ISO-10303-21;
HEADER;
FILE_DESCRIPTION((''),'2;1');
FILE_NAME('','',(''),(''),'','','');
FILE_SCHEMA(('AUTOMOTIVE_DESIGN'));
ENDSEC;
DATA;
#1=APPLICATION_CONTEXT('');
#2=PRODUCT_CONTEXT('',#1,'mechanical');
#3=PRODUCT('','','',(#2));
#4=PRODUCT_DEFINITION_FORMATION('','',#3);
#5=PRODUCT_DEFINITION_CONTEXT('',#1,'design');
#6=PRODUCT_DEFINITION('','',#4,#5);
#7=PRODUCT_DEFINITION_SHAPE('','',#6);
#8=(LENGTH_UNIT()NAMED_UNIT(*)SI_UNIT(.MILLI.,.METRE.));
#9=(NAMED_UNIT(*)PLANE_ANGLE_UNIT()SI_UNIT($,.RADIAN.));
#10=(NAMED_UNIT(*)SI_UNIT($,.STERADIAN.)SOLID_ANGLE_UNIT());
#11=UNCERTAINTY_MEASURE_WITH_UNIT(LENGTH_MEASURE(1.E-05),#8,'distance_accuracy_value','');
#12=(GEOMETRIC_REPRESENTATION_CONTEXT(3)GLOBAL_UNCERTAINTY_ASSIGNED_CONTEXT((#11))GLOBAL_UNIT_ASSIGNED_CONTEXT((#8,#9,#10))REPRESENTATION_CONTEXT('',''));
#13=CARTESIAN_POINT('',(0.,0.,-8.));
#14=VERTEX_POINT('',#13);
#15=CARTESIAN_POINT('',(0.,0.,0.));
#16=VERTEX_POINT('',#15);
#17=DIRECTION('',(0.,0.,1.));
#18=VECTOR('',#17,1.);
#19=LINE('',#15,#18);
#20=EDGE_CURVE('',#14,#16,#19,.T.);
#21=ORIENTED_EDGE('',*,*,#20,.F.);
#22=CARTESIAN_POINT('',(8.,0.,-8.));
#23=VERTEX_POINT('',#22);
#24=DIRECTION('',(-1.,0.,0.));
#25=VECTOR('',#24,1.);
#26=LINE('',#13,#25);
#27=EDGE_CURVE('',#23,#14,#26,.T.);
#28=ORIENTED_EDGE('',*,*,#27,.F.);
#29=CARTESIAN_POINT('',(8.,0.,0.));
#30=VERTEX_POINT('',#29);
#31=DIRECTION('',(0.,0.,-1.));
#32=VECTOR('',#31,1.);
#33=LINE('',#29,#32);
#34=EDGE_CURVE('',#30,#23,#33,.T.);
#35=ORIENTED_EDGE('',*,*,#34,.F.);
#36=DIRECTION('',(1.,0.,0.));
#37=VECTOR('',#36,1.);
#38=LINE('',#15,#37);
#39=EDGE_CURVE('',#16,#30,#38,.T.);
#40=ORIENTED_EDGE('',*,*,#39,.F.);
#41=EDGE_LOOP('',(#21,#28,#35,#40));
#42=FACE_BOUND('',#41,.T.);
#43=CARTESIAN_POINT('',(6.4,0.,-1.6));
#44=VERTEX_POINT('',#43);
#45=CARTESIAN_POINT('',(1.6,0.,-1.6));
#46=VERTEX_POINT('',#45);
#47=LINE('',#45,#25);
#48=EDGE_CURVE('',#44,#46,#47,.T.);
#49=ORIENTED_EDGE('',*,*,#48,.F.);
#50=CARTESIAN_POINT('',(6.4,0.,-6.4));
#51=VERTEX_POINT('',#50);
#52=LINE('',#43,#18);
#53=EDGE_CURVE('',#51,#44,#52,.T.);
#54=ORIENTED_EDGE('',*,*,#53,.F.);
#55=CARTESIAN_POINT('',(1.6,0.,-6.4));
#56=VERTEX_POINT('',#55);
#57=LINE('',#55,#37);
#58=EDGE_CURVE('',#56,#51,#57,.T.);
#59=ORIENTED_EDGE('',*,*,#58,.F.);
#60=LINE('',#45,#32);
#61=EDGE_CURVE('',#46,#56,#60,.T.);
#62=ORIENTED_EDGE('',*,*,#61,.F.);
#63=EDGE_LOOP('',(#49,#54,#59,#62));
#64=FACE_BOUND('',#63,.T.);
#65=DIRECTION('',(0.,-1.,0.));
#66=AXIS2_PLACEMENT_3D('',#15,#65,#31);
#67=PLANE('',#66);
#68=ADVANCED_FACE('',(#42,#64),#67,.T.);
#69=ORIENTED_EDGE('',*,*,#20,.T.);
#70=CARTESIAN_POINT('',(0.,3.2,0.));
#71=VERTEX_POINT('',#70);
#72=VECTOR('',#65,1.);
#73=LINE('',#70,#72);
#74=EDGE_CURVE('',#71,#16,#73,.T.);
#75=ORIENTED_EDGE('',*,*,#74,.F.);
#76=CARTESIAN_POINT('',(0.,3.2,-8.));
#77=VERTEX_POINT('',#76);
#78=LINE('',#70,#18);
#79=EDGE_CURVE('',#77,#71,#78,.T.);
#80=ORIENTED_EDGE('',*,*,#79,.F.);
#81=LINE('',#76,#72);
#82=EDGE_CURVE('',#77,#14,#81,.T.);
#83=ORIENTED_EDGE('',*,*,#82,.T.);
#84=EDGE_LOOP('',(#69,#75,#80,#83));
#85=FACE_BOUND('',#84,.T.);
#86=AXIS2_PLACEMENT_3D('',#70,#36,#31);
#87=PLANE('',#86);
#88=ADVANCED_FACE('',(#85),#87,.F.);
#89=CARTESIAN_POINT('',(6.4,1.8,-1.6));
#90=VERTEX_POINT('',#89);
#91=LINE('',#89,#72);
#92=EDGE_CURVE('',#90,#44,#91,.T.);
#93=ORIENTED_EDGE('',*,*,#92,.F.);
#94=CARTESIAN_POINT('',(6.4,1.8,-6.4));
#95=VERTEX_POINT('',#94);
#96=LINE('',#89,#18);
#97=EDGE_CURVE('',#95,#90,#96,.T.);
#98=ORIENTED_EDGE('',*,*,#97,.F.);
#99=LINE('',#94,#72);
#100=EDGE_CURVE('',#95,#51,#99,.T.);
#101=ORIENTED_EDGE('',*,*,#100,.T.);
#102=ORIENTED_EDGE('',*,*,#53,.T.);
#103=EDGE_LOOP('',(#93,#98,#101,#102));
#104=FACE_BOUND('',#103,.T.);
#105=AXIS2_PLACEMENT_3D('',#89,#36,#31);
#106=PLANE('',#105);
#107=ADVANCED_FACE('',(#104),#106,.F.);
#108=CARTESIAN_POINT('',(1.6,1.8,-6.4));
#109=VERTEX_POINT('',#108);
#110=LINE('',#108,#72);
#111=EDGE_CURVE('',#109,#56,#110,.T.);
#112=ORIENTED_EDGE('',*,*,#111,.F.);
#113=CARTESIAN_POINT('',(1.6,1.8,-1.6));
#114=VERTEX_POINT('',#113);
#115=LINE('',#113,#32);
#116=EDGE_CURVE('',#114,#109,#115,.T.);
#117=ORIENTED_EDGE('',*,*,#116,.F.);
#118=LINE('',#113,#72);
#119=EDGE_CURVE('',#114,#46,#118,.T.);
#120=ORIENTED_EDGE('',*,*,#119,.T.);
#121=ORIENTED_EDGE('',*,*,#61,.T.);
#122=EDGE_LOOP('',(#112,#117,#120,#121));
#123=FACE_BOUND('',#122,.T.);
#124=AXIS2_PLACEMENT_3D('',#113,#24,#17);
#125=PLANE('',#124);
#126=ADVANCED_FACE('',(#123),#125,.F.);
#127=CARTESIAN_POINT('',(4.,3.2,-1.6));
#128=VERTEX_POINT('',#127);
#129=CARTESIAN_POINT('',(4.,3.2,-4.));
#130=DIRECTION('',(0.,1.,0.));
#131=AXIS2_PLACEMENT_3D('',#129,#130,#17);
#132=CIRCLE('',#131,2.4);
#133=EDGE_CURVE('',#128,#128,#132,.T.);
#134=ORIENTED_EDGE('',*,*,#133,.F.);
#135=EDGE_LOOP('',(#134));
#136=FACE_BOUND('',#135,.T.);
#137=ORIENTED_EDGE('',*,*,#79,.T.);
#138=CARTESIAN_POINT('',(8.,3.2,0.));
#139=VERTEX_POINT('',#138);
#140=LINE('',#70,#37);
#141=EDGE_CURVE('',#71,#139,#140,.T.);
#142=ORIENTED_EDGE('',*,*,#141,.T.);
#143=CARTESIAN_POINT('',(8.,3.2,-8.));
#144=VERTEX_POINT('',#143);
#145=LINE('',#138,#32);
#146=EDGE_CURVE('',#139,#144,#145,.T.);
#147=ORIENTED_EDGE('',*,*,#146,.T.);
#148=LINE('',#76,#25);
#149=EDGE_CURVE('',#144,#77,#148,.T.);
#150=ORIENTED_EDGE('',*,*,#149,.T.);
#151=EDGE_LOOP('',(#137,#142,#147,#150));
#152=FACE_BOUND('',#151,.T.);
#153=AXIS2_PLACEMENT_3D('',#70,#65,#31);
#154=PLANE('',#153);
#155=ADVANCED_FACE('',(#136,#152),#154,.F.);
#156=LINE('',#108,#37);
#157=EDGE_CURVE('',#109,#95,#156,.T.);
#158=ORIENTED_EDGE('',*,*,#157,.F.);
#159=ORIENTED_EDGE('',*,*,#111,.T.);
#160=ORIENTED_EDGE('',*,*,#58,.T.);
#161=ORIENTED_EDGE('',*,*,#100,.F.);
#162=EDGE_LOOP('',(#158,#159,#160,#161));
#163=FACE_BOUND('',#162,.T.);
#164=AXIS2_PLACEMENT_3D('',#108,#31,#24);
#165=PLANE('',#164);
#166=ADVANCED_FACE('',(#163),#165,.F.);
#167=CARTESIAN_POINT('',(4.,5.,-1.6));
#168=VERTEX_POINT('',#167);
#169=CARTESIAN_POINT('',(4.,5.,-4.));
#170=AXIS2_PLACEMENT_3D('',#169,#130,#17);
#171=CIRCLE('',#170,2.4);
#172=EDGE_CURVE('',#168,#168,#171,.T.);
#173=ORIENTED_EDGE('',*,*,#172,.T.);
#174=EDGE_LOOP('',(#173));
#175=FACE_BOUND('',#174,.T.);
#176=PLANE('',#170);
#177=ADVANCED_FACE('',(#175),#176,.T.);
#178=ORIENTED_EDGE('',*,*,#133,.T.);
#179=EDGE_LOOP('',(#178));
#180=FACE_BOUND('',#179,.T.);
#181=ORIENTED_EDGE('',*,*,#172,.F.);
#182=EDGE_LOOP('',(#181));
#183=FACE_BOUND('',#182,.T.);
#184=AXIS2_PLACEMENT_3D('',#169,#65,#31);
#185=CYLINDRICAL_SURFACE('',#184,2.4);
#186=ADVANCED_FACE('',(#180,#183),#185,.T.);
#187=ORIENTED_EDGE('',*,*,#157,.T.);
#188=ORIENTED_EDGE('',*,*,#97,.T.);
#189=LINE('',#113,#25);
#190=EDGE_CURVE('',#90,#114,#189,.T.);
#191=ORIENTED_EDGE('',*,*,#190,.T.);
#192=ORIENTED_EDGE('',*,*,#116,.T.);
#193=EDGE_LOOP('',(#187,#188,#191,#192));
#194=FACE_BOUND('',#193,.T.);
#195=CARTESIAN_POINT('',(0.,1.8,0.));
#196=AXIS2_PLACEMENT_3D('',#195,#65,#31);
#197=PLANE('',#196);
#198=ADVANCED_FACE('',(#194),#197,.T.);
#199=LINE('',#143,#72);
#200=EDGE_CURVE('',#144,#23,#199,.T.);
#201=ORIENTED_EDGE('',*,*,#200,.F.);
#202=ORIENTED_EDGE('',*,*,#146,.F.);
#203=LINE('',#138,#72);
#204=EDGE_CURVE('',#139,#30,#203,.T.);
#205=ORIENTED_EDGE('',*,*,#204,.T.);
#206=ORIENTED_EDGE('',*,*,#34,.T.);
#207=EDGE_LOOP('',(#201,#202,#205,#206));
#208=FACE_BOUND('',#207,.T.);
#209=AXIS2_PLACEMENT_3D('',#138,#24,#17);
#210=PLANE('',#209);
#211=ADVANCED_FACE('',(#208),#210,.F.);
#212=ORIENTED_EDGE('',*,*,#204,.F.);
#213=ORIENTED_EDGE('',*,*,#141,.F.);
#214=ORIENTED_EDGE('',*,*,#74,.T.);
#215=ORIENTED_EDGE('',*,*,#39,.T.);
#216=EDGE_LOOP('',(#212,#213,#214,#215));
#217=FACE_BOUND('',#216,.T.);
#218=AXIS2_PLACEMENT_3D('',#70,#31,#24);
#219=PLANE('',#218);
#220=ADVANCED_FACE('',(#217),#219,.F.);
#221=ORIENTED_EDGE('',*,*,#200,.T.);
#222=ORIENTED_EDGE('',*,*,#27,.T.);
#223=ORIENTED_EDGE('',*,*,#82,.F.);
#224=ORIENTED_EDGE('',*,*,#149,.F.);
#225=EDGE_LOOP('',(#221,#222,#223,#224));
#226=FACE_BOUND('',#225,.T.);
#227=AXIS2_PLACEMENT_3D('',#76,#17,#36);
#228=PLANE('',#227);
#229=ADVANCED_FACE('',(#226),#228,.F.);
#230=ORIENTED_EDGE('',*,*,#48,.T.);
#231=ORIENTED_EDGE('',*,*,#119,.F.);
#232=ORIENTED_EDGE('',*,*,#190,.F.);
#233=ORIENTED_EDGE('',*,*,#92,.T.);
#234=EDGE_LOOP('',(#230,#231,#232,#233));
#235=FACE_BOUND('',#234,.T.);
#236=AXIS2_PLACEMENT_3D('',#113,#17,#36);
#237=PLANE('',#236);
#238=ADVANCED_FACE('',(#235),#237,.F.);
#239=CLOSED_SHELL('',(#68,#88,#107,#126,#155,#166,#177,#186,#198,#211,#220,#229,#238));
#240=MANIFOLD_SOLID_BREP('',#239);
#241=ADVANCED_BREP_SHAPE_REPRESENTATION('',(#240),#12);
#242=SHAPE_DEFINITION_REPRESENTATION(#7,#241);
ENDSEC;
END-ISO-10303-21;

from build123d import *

# Parameters (mm, degrees)
SKETCH1_W           = 8
SKETCH1_H           = 8
BOSS_EXTRUDE1_DEPTH = 3.2
SKETCH2_R           = 2.4
BOSS_EXTRUDE2_DEPTH = 1.8
SKETCH3_W           = 4.8
SKETCH3_H           = 4.8
CUT_EXTRUDE1_DEPTH  = 1.8


with BuildPart() as part:
    # Sketch1 → Boss-Extrude1 (new body)
    with BuildSketch(Plane(origin=(0, 0, 0), x_dir=(1, 0, 0), z_dir=(0, 1, 0))):
        with Locations((4, 4)):
            Rectangle(SKETCH1_W, SKETCH1_H)
    extrude(amount=BOSS_EXTRUDE1_DEPTH)

    # Sketch2 → Boss-Extrude2 (add)
    with BuildSketch(Plane(origin=(0, 3.2, 0), x_dir=(1, 0, 0), z_dir=(0, 1, 0))):
        with Locations((4, 4)):
            Circle(SKETCH2_R)
    extrude(amount=BOSS_EXTRUDE2_DEPTH)

    # Sketch3 → Cut-Extrude1 (cut)
    with BuildSketch(Plane.XZ):
        with Locations((4, -4)):
            Rectangle(SKETCH3_W, SKETCH3_H)
    extrude(amount=-CUT_EXTRUDE1_DEPTH, mode=Mode.SUBTRACT)


solid = part.part
